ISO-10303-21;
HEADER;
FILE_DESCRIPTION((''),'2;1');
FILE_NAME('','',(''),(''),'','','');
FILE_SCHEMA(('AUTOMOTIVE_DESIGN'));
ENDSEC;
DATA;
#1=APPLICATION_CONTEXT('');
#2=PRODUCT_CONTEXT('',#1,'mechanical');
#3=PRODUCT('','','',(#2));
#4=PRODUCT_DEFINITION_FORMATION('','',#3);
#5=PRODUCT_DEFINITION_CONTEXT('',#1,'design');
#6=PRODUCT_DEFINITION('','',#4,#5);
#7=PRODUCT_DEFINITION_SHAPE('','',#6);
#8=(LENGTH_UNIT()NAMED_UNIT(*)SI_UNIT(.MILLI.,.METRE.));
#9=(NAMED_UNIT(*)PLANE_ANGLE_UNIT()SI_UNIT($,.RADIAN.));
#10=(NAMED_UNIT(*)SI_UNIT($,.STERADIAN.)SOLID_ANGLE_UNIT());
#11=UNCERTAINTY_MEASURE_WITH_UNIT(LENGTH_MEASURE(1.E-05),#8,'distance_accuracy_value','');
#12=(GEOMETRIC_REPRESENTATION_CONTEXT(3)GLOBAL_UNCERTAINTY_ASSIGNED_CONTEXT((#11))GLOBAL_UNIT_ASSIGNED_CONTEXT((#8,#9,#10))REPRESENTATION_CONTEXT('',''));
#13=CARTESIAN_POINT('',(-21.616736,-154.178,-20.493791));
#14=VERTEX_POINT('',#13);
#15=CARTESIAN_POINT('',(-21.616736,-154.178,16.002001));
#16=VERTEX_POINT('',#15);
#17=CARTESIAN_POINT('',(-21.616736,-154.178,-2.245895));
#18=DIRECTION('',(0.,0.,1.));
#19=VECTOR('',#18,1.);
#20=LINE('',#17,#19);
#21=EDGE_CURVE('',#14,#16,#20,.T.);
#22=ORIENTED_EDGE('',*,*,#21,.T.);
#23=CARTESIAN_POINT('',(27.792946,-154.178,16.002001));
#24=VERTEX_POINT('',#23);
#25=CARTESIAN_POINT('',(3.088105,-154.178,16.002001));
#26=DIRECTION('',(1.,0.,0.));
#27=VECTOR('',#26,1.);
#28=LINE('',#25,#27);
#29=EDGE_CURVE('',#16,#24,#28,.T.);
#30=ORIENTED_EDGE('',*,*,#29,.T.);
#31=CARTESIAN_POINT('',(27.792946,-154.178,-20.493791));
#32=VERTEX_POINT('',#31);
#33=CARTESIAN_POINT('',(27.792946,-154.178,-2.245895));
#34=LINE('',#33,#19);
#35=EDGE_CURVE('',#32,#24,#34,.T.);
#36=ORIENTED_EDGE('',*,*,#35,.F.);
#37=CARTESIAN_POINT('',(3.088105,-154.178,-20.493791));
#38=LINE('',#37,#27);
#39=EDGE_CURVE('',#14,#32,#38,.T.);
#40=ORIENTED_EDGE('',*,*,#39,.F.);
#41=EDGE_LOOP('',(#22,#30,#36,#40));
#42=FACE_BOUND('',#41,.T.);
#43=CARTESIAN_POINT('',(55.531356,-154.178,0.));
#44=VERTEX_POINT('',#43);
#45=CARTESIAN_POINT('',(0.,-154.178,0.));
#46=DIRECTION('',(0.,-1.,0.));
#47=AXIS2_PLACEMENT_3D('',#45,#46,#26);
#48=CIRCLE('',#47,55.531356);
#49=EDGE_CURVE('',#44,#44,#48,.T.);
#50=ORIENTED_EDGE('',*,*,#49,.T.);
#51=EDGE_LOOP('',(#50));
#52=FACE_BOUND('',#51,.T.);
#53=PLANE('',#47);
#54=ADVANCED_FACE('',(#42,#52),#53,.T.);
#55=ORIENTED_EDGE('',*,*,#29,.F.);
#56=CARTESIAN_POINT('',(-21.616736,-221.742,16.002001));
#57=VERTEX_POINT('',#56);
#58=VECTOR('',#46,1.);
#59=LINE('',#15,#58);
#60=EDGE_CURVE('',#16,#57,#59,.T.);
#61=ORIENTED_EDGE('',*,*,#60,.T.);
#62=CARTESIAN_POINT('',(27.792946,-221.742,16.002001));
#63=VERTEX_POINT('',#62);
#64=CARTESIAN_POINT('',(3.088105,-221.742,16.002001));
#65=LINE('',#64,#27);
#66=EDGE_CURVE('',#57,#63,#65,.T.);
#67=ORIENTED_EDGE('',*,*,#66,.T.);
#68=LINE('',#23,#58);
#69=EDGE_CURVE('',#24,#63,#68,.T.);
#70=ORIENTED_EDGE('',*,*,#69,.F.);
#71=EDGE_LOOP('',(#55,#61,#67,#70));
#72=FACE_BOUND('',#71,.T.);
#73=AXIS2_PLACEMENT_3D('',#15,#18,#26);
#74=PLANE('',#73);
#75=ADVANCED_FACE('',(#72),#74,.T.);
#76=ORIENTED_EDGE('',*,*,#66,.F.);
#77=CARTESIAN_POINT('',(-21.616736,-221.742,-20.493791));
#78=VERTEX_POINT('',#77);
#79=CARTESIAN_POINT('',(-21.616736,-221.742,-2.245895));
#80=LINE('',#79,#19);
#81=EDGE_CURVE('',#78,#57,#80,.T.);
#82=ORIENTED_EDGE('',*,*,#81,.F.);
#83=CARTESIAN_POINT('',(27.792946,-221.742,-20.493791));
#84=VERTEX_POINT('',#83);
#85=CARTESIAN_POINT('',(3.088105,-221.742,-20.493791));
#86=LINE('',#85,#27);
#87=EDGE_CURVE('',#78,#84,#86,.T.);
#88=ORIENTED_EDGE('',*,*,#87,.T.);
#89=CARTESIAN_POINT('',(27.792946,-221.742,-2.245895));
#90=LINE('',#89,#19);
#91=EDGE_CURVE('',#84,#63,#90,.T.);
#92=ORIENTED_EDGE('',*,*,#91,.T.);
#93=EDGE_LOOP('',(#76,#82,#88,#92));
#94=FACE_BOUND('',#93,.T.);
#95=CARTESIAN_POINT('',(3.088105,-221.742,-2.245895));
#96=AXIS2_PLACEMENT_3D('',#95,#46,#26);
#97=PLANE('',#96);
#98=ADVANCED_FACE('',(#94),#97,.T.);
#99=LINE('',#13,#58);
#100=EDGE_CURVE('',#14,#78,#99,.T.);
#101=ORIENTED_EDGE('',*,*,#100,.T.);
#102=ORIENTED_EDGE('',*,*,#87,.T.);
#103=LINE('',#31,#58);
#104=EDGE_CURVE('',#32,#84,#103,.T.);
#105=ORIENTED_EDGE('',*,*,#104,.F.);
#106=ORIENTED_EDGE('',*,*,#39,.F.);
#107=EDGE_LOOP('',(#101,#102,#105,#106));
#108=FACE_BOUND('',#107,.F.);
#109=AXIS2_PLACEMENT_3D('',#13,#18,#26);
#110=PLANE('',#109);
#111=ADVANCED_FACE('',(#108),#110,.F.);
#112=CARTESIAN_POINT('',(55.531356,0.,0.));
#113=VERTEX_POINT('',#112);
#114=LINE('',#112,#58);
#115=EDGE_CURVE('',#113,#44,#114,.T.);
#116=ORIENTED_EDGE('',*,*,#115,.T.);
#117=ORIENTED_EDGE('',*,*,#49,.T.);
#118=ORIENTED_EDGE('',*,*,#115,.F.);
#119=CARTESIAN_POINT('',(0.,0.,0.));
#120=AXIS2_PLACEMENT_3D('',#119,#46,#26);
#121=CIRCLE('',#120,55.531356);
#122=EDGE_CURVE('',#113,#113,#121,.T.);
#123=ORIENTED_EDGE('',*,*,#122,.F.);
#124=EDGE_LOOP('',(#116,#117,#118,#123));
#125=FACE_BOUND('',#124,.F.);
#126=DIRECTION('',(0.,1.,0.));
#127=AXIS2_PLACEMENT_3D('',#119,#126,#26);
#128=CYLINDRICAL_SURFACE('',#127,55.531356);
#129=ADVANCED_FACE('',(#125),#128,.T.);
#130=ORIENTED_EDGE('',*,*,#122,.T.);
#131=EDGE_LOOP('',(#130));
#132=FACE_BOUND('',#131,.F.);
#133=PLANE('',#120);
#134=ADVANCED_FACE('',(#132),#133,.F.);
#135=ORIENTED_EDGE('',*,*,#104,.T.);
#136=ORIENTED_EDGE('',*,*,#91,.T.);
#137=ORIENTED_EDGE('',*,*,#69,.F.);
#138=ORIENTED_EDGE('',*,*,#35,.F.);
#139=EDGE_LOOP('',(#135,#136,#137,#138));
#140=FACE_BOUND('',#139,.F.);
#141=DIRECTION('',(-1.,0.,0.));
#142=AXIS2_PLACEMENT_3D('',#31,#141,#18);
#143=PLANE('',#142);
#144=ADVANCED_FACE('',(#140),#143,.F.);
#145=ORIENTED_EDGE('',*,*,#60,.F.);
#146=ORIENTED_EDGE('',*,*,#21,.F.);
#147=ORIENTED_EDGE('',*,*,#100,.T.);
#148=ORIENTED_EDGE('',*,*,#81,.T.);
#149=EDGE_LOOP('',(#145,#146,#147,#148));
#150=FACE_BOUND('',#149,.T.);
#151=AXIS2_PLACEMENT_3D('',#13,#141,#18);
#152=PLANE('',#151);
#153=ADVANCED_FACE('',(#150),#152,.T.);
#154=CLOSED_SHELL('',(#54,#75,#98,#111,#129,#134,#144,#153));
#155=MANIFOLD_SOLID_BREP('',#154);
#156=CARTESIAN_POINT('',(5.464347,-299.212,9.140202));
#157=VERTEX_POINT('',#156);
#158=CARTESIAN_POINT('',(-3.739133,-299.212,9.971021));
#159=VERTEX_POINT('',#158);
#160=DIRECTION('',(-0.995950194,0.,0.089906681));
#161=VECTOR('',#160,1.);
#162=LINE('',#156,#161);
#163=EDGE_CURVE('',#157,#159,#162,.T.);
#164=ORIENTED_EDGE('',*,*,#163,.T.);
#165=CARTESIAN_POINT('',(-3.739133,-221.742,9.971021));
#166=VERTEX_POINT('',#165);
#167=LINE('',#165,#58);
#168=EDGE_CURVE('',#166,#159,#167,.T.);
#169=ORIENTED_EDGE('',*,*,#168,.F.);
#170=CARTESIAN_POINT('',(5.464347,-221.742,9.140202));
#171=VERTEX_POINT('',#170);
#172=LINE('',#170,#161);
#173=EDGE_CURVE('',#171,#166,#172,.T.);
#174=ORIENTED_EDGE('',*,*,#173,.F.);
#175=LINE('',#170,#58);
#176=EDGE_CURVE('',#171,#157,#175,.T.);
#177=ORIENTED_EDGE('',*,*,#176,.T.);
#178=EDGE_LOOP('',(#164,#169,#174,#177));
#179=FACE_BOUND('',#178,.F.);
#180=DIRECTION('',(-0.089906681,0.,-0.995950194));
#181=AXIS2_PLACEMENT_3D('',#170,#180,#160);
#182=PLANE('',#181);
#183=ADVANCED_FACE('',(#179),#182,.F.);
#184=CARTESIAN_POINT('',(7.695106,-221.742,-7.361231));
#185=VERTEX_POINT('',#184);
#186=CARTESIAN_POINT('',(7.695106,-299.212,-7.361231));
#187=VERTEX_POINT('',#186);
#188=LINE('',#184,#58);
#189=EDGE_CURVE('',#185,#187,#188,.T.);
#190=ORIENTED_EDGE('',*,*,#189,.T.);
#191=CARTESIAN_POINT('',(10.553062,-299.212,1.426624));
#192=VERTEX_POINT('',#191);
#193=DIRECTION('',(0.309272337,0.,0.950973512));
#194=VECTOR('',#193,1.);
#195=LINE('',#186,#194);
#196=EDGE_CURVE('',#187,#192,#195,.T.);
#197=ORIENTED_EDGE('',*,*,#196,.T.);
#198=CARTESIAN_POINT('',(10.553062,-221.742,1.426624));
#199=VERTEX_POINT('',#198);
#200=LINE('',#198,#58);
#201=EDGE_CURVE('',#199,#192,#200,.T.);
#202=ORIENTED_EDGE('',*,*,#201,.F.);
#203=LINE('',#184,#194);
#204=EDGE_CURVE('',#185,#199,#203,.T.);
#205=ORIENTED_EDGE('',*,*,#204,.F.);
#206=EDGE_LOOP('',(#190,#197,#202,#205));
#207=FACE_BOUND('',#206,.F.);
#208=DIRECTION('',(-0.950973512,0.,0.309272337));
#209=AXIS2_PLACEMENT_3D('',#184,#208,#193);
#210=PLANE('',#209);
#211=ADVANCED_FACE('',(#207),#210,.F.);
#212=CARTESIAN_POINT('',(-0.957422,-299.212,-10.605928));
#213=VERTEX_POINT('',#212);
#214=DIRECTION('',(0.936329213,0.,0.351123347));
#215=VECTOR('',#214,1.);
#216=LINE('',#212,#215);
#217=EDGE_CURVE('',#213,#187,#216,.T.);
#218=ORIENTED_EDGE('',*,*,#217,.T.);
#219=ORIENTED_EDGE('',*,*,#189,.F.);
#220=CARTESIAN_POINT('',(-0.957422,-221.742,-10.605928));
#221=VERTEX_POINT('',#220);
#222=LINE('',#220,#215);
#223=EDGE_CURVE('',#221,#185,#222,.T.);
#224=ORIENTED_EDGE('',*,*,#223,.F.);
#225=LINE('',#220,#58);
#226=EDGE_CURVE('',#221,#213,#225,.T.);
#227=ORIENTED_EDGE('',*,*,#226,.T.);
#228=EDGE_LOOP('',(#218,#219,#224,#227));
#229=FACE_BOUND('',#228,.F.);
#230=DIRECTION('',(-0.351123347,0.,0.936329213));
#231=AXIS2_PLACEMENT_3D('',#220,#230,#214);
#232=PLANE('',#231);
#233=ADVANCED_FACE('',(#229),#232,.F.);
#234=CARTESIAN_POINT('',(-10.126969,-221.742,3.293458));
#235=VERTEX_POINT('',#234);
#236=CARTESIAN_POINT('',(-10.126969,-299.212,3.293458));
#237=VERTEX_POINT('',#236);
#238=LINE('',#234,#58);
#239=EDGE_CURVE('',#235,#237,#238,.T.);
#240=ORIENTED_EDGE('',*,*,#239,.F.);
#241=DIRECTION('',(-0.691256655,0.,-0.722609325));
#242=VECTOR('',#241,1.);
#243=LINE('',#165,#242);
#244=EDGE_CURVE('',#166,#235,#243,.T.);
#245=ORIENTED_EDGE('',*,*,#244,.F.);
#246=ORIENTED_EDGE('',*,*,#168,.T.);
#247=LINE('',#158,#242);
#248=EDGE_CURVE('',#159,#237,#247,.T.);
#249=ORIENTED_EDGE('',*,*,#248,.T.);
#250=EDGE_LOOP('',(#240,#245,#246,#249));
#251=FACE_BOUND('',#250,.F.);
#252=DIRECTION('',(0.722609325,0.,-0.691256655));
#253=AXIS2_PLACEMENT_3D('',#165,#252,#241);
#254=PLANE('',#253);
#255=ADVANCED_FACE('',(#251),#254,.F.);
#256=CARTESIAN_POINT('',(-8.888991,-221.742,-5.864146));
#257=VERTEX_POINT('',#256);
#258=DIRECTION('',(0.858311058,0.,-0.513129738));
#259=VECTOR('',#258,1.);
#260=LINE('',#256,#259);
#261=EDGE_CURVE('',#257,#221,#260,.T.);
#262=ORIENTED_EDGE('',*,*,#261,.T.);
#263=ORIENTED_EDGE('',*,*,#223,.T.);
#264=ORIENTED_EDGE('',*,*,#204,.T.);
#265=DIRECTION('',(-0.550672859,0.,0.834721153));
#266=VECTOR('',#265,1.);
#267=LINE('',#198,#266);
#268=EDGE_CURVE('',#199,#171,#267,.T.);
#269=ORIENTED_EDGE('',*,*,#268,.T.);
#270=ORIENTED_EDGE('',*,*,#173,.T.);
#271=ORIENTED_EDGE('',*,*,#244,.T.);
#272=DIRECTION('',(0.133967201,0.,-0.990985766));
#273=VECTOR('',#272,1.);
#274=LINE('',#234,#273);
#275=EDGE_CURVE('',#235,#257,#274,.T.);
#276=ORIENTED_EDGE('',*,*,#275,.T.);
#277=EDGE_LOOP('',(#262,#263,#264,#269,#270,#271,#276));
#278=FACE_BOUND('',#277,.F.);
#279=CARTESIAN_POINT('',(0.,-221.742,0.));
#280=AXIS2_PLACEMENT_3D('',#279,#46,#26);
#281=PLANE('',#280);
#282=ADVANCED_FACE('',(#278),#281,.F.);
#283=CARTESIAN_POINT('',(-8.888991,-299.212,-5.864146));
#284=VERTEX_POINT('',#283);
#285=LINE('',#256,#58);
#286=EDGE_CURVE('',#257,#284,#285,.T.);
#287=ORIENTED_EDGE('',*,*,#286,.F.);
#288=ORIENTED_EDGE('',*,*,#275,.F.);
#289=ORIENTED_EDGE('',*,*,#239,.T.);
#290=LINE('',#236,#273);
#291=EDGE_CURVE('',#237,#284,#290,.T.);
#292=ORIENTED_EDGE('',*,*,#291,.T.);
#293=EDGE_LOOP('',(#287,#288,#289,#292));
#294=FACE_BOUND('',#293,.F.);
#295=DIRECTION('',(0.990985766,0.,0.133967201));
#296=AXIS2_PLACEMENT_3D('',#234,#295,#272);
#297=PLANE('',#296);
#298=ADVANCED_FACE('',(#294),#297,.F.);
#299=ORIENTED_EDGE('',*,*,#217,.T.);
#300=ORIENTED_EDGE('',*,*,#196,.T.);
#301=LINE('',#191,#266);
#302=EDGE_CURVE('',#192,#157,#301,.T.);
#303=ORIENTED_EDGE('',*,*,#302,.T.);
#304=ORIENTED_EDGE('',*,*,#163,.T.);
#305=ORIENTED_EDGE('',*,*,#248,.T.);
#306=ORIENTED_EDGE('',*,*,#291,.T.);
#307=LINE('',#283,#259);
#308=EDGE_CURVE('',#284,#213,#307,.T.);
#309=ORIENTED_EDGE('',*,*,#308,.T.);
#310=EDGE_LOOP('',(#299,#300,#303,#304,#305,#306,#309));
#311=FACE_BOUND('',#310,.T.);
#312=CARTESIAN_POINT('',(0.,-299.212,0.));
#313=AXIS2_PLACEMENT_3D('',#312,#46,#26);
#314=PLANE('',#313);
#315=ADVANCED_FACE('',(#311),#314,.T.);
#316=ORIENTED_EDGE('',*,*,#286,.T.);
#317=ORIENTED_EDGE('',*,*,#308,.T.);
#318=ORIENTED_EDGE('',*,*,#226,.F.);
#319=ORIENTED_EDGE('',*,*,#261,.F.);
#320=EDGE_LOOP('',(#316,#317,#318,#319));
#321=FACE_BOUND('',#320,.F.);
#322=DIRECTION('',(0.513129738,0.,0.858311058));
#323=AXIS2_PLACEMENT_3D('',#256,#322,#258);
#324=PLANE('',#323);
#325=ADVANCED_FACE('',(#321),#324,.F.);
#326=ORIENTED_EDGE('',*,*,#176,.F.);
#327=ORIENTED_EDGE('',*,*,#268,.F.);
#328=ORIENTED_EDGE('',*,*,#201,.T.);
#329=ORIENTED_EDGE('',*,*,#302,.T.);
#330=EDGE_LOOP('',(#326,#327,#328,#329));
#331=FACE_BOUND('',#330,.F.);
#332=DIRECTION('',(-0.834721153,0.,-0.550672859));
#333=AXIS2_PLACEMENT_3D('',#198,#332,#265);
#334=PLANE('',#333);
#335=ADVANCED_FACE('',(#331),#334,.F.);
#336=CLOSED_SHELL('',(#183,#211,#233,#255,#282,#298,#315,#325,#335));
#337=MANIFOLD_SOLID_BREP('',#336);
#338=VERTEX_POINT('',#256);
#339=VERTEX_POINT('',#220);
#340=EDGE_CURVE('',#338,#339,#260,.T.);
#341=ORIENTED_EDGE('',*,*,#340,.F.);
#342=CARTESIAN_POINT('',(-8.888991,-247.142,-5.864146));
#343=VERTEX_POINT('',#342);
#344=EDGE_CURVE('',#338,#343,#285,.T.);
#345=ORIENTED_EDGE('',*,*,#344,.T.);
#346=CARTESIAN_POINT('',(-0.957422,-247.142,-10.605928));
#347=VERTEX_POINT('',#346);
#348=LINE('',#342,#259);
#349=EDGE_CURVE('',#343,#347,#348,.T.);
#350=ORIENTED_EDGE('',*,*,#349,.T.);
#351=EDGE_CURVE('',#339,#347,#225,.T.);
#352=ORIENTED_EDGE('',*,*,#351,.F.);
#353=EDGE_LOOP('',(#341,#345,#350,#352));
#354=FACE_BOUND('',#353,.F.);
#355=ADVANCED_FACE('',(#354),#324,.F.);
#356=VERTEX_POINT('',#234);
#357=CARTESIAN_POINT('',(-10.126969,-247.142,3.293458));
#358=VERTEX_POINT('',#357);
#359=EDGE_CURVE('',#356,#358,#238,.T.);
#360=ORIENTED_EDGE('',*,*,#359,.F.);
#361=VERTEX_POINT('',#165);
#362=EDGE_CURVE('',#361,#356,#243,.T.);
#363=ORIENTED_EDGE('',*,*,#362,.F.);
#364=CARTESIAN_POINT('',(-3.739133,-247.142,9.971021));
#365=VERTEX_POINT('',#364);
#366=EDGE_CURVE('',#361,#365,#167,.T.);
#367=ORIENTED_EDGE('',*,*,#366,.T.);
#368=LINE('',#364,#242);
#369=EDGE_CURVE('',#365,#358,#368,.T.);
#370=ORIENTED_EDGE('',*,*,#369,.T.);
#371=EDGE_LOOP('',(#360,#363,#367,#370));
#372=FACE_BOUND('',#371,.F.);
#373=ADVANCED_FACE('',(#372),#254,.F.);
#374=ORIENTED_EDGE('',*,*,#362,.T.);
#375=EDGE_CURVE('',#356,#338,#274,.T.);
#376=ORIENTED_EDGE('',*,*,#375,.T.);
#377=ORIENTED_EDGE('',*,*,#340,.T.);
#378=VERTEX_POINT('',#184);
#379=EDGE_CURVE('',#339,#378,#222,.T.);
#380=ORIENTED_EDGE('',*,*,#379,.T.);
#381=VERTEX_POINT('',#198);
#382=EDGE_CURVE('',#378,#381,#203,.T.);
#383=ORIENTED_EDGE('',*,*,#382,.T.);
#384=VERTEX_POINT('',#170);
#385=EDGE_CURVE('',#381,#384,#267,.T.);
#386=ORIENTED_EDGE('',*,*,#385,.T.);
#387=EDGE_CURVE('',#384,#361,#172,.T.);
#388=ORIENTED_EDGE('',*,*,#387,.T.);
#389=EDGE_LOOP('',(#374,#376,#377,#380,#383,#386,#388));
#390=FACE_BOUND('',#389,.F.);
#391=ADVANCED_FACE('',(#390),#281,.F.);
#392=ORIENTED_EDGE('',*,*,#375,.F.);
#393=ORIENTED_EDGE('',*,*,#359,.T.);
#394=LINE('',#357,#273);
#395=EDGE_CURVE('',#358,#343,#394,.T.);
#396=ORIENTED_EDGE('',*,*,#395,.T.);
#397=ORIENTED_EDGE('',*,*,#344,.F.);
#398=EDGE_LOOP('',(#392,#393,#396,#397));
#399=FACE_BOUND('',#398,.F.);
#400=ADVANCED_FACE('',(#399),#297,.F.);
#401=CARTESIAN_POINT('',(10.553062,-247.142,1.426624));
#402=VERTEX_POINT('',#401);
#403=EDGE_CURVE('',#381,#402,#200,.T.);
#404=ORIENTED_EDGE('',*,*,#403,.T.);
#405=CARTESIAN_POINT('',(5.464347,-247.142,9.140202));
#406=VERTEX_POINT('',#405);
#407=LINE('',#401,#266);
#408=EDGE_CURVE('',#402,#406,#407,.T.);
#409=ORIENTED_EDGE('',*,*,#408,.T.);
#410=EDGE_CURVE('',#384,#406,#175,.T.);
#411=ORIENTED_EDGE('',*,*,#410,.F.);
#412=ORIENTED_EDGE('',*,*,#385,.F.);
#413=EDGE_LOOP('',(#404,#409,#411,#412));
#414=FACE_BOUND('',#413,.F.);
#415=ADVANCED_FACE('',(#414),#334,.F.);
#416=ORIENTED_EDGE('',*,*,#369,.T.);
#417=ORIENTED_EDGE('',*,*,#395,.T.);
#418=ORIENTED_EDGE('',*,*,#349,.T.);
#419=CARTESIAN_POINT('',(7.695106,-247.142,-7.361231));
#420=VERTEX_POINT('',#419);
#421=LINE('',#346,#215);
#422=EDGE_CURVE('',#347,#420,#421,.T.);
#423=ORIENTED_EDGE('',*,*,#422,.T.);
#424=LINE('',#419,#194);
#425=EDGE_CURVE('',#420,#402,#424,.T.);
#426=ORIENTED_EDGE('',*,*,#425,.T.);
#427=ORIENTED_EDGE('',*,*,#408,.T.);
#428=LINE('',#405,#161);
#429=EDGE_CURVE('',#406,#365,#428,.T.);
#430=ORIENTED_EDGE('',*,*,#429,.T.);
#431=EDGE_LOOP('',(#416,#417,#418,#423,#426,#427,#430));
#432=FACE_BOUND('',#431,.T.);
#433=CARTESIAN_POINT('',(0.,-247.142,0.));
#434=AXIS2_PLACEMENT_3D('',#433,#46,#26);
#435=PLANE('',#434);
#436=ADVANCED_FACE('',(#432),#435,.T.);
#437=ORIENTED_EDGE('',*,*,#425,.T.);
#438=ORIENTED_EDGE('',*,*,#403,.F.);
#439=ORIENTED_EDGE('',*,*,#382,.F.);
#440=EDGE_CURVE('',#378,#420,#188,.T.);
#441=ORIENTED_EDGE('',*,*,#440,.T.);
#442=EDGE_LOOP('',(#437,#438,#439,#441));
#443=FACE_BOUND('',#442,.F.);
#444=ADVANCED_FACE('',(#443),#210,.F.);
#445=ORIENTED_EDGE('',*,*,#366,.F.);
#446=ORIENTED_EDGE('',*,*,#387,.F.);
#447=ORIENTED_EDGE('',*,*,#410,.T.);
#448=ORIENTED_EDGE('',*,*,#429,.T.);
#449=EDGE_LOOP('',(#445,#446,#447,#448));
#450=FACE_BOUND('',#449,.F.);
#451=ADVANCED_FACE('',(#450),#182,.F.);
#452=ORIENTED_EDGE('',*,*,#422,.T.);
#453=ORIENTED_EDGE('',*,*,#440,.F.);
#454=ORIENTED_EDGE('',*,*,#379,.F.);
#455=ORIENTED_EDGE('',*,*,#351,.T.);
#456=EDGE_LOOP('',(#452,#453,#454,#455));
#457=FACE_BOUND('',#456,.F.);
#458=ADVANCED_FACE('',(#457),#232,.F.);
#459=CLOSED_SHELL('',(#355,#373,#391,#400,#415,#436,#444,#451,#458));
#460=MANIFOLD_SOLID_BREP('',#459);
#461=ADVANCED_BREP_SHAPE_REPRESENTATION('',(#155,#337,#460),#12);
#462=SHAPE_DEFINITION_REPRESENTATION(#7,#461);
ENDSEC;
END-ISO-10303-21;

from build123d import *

# Parameters (mm, degrees)
F0_R     = 55.531356
F1_DEPTH = 154.178
F2_W     = 49.409683
F2_H     = 36.495792
F3_DEPTH = 67.564
F5_DEPTH = 25.4
F6_DEPTH = 77.47


with BuildPart() as f1:
    # F0 (on Front) → F1 (new body)
    with BuildSketch(Plane.XZ):
        Circle(F0_R)
    extrude(amount=F1_DEPTH)

    # F2 (on face) → F3 (join)
    with BuildSketch(Plane.XZ.offset(154.178)):
        with Locations((3.088105, -2.245895)):
            Rectangle(F2_W, F2_H)
    extrude(amount=F3_DEPTH)


with BuildPart() as f5:
    # F4 (on face) → F5 (new body)
    with BuildSketch(Plane.XZ.offset(221.742)):
        Polygon((-0.957422, -10.605928), (7.695106, -7.361231), (10.553062, 1.426624), (5.464347, 9.140202), (-3.739133, 9.971021), (-10.126969, 3.293458), (-8.888991, -5.864146), align=None)
    extrude(amount=F5_DEPTH)


with BuildPart() as f6:
    # F4 (on face) → F6 (new body)
    with BuildSketch(Plane.XZ.offset(221.742)):
        Polygon((-0.957422, -10.605928), (7.695106, -7.361231), (10.553062, 1.426624), (5.464347, 9.140202), (-3.739133, 9.971021), (-10.126969, 3.293458), (-8.888991, -5.864146), align=None)
    extrude(amount=F6_DEPTH)


solid = Compound([f1.part, f5.part, f6.part])
